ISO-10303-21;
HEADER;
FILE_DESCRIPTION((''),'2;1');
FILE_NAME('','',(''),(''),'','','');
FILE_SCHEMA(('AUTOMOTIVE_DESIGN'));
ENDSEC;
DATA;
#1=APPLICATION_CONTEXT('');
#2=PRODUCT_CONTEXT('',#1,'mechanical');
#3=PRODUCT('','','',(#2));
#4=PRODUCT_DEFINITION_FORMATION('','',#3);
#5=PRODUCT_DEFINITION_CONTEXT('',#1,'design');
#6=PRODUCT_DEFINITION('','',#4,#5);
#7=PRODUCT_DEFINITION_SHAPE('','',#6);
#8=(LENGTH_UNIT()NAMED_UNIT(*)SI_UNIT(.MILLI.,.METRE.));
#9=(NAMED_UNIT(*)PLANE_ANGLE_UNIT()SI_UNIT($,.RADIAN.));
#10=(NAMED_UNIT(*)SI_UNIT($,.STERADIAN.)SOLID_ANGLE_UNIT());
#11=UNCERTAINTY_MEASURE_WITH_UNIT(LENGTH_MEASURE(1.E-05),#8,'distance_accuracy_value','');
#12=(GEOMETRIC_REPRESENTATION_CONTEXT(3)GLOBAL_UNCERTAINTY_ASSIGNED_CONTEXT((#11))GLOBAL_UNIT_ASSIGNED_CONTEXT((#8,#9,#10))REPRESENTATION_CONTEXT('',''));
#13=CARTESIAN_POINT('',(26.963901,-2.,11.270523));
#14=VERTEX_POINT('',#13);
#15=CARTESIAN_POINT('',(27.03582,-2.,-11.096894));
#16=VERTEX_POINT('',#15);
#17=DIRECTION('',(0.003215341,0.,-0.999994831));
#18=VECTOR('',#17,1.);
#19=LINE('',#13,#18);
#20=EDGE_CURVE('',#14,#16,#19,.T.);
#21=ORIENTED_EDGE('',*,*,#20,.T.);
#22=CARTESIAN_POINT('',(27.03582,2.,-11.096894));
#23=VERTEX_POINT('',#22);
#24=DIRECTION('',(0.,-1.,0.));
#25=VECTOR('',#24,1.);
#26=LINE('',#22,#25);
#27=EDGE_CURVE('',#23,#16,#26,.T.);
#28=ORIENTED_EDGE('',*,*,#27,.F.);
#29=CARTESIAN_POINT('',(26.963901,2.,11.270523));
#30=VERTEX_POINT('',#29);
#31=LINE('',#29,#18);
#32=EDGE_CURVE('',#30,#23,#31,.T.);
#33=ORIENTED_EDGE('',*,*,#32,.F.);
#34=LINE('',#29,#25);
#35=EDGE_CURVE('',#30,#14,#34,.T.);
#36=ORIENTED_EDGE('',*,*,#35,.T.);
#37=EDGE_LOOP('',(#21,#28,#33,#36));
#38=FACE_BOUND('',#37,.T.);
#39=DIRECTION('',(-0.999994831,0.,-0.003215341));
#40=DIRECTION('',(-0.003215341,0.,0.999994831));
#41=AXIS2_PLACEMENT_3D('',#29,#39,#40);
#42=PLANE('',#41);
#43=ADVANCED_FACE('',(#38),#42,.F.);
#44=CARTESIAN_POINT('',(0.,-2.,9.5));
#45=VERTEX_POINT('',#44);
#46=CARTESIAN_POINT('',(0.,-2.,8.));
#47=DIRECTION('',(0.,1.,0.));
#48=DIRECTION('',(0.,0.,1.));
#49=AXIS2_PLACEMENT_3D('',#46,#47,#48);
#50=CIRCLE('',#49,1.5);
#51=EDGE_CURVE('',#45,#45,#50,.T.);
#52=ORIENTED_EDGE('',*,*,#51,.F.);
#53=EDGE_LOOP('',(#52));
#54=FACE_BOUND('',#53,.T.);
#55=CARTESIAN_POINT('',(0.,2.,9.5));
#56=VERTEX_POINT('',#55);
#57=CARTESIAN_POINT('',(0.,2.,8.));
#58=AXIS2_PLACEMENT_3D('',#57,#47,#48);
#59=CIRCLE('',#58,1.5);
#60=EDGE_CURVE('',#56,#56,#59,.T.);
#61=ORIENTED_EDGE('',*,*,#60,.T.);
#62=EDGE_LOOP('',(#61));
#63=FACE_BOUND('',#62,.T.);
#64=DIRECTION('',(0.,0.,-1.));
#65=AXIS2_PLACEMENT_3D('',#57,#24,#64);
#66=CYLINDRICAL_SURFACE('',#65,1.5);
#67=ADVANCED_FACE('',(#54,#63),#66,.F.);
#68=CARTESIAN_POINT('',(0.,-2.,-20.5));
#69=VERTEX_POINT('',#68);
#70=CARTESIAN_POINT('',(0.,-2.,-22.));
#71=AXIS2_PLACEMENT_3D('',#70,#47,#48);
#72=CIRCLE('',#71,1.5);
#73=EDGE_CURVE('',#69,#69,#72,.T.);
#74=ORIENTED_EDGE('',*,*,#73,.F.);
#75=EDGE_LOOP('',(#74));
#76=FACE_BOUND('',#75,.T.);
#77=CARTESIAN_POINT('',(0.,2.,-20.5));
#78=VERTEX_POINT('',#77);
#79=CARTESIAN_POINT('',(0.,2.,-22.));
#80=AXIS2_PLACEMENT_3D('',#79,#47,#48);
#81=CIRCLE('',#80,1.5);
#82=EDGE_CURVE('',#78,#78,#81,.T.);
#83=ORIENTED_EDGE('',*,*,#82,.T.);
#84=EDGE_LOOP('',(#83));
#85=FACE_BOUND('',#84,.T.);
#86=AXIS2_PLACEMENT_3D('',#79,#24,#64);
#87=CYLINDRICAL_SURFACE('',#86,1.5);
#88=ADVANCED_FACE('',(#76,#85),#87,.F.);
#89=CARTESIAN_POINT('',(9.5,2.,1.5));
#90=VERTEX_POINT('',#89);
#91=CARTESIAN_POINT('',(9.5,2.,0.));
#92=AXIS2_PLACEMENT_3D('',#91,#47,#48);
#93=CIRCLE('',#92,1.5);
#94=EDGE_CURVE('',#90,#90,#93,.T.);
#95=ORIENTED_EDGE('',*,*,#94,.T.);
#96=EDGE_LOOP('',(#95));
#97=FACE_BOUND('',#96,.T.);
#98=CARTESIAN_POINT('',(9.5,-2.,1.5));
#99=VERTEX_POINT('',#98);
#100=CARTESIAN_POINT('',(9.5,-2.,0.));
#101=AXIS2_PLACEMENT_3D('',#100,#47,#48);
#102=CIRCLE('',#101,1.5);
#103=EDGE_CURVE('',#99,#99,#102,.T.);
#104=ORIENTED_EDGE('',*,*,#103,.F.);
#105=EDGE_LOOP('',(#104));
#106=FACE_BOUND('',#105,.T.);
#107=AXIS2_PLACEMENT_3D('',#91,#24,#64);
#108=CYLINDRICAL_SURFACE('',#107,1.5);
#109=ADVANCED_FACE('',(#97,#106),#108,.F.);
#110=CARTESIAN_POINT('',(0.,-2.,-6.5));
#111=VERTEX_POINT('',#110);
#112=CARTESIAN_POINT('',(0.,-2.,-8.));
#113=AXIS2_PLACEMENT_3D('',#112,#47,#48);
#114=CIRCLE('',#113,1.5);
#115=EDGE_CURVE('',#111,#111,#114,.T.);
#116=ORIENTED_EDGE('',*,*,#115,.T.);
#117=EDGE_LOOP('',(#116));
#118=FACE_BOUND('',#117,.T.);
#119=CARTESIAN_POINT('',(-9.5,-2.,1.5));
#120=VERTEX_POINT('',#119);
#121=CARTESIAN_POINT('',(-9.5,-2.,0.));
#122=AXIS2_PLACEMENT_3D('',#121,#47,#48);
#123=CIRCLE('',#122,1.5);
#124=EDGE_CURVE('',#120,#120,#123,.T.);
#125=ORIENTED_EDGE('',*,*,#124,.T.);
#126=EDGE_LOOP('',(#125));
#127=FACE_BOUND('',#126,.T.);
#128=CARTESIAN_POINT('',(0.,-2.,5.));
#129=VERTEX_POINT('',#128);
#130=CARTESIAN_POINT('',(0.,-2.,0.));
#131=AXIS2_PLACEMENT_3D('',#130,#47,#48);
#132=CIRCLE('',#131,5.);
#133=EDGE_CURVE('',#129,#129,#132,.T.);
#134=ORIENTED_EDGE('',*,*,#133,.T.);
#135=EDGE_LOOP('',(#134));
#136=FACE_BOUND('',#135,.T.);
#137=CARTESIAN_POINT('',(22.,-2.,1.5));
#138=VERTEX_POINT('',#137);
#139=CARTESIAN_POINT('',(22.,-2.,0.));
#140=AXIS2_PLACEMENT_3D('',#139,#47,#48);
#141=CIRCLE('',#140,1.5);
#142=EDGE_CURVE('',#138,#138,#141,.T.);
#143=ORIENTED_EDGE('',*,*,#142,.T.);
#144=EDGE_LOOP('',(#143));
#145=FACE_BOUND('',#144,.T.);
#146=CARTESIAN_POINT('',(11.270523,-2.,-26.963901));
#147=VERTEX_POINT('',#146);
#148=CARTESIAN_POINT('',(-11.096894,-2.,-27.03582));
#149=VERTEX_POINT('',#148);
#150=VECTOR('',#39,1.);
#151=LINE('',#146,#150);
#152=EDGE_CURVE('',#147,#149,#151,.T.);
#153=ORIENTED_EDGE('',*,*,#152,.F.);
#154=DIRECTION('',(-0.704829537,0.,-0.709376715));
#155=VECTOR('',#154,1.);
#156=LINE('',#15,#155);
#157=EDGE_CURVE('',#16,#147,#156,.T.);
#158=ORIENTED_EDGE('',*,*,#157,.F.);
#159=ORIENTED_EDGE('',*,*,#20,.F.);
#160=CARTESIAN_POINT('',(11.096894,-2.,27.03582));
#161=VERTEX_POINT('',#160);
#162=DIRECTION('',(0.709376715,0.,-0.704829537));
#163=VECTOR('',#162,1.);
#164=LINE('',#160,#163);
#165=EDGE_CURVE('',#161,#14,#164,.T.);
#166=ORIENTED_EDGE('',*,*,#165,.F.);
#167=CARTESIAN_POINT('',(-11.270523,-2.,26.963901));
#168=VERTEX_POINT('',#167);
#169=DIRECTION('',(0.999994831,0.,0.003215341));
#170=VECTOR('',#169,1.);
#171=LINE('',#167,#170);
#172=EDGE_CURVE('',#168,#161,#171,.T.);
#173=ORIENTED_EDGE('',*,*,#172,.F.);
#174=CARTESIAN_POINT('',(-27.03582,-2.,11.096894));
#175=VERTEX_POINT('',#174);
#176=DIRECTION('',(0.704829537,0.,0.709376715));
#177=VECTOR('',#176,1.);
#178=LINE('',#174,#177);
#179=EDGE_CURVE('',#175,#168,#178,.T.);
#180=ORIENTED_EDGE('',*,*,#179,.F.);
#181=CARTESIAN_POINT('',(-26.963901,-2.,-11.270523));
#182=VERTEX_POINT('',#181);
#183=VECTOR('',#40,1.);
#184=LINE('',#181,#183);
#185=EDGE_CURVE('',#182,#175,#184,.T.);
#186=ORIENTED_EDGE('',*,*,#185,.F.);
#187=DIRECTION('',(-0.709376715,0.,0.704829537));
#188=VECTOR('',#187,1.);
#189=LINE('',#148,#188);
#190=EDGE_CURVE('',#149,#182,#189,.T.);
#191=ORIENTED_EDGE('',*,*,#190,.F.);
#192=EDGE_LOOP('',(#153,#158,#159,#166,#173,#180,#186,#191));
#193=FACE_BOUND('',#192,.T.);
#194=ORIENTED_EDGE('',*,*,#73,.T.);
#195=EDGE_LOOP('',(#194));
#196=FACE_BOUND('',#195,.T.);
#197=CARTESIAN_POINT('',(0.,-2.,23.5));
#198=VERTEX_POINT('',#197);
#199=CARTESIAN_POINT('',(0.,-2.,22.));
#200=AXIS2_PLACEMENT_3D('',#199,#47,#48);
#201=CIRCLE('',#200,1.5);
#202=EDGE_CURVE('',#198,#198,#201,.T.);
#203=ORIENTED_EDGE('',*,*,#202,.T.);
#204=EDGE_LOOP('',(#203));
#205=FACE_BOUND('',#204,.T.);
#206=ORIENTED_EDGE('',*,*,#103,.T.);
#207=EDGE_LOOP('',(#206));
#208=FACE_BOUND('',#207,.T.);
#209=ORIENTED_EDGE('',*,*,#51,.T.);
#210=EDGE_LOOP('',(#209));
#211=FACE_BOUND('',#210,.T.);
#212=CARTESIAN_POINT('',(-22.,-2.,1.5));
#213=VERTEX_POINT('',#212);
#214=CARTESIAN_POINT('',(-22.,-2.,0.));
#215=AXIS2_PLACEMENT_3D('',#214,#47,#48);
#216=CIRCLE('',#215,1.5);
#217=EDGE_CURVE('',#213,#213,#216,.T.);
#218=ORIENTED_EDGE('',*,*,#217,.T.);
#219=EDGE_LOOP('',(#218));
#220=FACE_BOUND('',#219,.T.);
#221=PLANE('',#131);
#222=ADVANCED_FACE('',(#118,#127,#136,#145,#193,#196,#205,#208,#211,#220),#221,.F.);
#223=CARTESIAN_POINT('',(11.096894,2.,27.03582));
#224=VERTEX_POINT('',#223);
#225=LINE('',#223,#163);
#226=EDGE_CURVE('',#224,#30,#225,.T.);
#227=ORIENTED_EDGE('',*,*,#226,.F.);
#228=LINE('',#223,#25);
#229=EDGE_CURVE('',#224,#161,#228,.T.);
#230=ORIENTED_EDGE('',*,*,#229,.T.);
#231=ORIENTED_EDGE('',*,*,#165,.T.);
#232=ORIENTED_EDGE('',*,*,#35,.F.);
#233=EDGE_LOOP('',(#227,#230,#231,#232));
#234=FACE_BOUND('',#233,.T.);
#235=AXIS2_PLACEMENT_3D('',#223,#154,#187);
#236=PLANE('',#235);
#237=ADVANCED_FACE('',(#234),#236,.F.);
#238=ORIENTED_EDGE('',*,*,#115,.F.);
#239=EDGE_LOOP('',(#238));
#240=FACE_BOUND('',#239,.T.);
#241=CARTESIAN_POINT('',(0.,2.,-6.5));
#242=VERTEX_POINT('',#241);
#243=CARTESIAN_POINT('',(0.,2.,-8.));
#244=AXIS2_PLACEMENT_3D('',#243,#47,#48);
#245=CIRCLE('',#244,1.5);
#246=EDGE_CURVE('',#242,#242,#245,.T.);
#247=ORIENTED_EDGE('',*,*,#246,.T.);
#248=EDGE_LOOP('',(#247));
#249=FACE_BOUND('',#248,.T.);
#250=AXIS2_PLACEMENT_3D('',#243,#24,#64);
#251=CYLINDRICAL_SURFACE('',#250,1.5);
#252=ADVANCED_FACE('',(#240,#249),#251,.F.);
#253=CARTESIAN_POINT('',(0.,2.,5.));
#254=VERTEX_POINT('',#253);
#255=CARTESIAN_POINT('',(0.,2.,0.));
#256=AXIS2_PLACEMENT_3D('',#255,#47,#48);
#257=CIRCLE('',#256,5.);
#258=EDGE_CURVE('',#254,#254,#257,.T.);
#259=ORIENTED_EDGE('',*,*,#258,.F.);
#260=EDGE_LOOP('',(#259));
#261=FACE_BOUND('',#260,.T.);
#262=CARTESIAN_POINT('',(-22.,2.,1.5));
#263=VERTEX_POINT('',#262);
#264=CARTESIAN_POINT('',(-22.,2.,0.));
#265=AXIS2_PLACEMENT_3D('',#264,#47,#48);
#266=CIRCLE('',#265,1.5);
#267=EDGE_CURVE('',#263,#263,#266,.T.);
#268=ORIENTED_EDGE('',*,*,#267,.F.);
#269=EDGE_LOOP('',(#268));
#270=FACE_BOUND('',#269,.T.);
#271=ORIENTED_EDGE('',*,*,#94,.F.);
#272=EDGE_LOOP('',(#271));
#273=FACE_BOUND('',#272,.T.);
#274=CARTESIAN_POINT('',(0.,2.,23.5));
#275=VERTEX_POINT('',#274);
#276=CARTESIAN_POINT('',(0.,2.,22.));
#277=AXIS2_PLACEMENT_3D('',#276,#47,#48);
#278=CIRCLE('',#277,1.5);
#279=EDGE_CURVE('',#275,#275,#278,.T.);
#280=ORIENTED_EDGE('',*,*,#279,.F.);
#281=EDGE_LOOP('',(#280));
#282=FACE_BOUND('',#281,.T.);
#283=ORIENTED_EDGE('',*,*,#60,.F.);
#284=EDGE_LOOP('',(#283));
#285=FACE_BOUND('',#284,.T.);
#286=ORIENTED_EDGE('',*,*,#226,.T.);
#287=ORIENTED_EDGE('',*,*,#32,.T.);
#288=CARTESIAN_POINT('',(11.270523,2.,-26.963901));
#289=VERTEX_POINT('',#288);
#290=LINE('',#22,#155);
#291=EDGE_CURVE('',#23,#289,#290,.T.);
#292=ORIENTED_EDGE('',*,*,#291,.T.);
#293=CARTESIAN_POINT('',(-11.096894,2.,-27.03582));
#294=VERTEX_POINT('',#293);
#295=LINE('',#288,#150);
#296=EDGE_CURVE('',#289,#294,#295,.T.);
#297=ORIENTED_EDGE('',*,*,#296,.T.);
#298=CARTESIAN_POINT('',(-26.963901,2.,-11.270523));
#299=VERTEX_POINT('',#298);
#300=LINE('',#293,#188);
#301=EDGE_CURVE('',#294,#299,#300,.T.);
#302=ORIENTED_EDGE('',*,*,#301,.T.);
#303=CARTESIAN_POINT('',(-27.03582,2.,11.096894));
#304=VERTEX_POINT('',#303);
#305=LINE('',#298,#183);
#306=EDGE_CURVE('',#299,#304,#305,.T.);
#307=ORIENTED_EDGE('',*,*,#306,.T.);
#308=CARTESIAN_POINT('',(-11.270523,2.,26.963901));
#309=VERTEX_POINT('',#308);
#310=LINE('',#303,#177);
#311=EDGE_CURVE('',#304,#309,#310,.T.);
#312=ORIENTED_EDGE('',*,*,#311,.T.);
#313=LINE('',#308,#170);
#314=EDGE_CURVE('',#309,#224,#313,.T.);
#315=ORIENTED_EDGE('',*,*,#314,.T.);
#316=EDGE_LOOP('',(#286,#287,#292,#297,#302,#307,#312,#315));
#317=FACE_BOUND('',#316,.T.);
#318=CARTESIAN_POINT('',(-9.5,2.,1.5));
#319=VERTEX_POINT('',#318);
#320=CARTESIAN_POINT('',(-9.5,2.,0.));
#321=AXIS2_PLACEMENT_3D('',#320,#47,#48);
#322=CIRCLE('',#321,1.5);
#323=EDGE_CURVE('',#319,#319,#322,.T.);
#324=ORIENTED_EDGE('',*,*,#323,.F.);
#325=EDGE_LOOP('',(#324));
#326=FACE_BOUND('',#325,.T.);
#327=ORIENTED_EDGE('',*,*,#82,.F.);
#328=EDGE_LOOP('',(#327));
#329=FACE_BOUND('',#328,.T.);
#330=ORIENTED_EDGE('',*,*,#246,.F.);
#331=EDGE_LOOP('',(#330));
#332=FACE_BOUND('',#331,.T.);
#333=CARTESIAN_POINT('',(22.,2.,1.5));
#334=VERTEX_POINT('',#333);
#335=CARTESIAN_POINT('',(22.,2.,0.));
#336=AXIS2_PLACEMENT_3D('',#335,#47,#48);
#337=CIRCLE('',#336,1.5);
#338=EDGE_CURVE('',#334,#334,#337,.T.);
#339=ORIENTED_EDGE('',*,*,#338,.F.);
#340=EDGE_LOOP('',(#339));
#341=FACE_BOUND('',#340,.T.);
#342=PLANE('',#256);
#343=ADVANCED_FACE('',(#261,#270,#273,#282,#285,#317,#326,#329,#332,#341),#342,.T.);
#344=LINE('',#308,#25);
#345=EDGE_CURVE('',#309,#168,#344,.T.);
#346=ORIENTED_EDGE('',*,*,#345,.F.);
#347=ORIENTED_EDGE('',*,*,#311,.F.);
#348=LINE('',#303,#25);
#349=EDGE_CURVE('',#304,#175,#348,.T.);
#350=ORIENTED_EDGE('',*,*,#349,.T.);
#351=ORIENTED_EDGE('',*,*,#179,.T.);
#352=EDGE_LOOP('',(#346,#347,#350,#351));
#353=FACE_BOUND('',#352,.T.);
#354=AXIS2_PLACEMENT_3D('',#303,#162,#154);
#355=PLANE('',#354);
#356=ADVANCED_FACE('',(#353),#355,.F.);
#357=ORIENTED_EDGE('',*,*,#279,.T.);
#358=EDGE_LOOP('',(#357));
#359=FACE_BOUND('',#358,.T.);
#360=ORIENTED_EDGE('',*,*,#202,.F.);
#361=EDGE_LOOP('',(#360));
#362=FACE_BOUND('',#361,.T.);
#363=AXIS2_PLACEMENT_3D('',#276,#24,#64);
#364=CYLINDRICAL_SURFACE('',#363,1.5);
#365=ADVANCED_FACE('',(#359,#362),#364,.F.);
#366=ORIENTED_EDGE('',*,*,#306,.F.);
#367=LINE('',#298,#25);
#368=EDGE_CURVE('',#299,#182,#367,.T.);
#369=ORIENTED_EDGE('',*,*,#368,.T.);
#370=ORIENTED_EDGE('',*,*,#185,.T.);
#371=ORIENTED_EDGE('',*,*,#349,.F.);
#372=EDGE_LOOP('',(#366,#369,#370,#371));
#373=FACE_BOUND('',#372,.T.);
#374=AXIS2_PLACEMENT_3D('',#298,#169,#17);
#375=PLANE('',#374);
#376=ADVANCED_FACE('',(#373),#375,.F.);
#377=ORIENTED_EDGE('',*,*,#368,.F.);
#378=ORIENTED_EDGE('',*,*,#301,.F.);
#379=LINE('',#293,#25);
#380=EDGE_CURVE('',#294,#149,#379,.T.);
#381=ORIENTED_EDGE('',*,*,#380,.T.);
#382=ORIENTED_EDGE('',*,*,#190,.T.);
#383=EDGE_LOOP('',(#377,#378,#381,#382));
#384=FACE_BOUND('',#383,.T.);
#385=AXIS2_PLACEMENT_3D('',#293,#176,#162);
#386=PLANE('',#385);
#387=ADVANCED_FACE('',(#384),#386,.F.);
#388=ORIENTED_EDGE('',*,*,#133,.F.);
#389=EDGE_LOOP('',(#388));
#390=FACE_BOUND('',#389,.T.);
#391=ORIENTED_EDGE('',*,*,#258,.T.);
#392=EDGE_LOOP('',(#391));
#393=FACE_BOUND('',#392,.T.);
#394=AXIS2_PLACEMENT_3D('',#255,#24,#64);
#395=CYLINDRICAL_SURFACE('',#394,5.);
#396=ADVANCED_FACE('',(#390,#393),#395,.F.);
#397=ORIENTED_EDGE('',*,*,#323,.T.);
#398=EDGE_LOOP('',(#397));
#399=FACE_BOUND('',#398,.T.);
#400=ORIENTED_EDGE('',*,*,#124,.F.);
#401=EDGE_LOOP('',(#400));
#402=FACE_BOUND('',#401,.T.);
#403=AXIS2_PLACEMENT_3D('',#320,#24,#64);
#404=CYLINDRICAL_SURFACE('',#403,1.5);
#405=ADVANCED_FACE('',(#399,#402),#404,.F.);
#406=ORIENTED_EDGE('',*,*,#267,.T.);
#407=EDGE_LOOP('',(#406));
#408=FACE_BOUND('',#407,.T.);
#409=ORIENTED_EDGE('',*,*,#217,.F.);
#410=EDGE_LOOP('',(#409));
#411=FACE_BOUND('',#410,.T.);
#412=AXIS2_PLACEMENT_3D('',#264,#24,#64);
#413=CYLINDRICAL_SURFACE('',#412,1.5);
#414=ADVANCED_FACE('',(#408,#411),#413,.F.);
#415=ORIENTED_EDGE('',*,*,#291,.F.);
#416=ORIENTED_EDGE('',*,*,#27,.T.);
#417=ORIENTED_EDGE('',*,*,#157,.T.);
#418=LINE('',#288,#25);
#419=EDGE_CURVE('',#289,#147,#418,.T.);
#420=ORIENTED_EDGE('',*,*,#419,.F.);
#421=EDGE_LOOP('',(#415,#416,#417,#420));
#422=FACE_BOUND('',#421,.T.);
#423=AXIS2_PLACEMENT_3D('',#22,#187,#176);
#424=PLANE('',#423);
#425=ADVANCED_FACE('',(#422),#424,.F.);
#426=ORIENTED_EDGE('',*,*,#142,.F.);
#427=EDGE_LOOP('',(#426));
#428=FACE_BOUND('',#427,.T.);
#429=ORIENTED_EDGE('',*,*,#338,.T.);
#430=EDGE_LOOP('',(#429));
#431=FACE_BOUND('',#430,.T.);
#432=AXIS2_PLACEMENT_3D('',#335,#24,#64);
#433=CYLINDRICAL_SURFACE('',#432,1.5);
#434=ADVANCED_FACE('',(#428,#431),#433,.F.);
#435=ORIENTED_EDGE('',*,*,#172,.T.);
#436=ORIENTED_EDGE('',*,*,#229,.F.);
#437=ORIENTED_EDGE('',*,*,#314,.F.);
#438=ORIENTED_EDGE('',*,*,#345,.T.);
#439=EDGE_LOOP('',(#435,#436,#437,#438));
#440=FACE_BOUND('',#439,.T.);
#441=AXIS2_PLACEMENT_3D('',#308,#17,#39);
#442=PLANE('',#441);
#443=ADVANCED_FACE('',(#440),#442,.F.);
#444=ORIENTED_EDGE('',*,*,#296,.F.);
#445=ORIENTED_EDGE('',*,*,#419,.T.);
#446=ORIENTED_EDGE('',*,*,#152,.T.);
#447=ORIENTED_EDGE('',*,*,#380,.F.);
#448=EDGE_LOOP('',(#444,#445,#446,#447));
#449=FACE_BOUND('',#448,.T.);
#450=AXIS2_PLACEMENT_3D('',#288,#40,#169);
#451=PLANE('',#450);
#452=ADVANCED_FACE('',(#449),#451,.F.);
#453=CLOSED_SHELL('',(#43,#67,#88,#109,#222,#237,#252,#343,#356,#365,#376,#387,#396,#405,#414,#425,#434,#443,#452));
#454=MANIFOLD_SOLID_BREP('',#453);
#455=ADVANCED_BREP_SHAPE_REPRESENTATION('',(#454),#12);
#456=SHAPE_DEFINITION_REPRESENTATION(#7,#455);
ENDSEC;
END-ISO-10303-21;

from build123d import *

# Parameters (mm, degrees)
SKETCH1_R           = 1.5
SKETCH1_R_2         = 5
BOSS_EXTRUDE1_DEPTH = 2


with BuildPart() as part:
    # Sketch1 → Boss-Extrude1 (new, symmetric)
    with BuildSketch(Plane(origin=(0, 0, 0), x_dir=(1, 0, 0), z_dir=(0, 1, 0))):
        Polygon((11.27052257, 26.963900813), (-11.096894175, 27.035820049), (-26.963900813, 11.27052257), (-27.035820049, -11.096894175), (-11.27052257, -26.963900813), (11.096894175, -27.035820049), (26.963900813, -11.27052257), (27.035820049, 11.096894175), align=None)
        with Locations(Location((0, 22, 0), (0, 0, 270))):
            Circle(SKETCH1_R, mode=Mode.SUBTRACT)
        with Locations(Location((22, 0, 0), (0, 0, 270))):
            Circle(SKETCH1_R, mode=Mode.SUBTRACT)
        with Locations(Location((0, -22, 0), (0, 0, 270))):
            Circle(SKETCH1_R, mode=Mode.SUBTRACT)
        with Locations(Location((-22, 0, 0), (0, 0, 270))):
            Circle(SKETCH1_R, mode=Mode.SUBTRACT)
        with Locations(Location((0, 0, 0), (0, 0, 270))):
            Circle(SKETCH1_R_2, mode=Mode.SUBTRACT)
        with Locations(Location((-9.5, 0, 0), (0, 0, 270))):
            Circle(SKETCH1_R, mode=Mode.SUBTRACT)
        with Locations(Location((0, -8, 0), (0, 0, 270))):
            Circle(SKETCH1_R, mode=Mode.SUBTRACT)
        with Locations(Location((9.5, 0, 0), (0, 0, 270))):
            Circle(SKETCH1_R, mode=Mode.SUBTRACT)
        with Locations(Location((0, 8, 0), (0, 0, 270))):
            Circle(SKETCH1_R, mode=Mode.SUBTRACT)
    extrude(amount=BOSS_EXTRUDE1_DEPTH, both=True)


solid = part.part
